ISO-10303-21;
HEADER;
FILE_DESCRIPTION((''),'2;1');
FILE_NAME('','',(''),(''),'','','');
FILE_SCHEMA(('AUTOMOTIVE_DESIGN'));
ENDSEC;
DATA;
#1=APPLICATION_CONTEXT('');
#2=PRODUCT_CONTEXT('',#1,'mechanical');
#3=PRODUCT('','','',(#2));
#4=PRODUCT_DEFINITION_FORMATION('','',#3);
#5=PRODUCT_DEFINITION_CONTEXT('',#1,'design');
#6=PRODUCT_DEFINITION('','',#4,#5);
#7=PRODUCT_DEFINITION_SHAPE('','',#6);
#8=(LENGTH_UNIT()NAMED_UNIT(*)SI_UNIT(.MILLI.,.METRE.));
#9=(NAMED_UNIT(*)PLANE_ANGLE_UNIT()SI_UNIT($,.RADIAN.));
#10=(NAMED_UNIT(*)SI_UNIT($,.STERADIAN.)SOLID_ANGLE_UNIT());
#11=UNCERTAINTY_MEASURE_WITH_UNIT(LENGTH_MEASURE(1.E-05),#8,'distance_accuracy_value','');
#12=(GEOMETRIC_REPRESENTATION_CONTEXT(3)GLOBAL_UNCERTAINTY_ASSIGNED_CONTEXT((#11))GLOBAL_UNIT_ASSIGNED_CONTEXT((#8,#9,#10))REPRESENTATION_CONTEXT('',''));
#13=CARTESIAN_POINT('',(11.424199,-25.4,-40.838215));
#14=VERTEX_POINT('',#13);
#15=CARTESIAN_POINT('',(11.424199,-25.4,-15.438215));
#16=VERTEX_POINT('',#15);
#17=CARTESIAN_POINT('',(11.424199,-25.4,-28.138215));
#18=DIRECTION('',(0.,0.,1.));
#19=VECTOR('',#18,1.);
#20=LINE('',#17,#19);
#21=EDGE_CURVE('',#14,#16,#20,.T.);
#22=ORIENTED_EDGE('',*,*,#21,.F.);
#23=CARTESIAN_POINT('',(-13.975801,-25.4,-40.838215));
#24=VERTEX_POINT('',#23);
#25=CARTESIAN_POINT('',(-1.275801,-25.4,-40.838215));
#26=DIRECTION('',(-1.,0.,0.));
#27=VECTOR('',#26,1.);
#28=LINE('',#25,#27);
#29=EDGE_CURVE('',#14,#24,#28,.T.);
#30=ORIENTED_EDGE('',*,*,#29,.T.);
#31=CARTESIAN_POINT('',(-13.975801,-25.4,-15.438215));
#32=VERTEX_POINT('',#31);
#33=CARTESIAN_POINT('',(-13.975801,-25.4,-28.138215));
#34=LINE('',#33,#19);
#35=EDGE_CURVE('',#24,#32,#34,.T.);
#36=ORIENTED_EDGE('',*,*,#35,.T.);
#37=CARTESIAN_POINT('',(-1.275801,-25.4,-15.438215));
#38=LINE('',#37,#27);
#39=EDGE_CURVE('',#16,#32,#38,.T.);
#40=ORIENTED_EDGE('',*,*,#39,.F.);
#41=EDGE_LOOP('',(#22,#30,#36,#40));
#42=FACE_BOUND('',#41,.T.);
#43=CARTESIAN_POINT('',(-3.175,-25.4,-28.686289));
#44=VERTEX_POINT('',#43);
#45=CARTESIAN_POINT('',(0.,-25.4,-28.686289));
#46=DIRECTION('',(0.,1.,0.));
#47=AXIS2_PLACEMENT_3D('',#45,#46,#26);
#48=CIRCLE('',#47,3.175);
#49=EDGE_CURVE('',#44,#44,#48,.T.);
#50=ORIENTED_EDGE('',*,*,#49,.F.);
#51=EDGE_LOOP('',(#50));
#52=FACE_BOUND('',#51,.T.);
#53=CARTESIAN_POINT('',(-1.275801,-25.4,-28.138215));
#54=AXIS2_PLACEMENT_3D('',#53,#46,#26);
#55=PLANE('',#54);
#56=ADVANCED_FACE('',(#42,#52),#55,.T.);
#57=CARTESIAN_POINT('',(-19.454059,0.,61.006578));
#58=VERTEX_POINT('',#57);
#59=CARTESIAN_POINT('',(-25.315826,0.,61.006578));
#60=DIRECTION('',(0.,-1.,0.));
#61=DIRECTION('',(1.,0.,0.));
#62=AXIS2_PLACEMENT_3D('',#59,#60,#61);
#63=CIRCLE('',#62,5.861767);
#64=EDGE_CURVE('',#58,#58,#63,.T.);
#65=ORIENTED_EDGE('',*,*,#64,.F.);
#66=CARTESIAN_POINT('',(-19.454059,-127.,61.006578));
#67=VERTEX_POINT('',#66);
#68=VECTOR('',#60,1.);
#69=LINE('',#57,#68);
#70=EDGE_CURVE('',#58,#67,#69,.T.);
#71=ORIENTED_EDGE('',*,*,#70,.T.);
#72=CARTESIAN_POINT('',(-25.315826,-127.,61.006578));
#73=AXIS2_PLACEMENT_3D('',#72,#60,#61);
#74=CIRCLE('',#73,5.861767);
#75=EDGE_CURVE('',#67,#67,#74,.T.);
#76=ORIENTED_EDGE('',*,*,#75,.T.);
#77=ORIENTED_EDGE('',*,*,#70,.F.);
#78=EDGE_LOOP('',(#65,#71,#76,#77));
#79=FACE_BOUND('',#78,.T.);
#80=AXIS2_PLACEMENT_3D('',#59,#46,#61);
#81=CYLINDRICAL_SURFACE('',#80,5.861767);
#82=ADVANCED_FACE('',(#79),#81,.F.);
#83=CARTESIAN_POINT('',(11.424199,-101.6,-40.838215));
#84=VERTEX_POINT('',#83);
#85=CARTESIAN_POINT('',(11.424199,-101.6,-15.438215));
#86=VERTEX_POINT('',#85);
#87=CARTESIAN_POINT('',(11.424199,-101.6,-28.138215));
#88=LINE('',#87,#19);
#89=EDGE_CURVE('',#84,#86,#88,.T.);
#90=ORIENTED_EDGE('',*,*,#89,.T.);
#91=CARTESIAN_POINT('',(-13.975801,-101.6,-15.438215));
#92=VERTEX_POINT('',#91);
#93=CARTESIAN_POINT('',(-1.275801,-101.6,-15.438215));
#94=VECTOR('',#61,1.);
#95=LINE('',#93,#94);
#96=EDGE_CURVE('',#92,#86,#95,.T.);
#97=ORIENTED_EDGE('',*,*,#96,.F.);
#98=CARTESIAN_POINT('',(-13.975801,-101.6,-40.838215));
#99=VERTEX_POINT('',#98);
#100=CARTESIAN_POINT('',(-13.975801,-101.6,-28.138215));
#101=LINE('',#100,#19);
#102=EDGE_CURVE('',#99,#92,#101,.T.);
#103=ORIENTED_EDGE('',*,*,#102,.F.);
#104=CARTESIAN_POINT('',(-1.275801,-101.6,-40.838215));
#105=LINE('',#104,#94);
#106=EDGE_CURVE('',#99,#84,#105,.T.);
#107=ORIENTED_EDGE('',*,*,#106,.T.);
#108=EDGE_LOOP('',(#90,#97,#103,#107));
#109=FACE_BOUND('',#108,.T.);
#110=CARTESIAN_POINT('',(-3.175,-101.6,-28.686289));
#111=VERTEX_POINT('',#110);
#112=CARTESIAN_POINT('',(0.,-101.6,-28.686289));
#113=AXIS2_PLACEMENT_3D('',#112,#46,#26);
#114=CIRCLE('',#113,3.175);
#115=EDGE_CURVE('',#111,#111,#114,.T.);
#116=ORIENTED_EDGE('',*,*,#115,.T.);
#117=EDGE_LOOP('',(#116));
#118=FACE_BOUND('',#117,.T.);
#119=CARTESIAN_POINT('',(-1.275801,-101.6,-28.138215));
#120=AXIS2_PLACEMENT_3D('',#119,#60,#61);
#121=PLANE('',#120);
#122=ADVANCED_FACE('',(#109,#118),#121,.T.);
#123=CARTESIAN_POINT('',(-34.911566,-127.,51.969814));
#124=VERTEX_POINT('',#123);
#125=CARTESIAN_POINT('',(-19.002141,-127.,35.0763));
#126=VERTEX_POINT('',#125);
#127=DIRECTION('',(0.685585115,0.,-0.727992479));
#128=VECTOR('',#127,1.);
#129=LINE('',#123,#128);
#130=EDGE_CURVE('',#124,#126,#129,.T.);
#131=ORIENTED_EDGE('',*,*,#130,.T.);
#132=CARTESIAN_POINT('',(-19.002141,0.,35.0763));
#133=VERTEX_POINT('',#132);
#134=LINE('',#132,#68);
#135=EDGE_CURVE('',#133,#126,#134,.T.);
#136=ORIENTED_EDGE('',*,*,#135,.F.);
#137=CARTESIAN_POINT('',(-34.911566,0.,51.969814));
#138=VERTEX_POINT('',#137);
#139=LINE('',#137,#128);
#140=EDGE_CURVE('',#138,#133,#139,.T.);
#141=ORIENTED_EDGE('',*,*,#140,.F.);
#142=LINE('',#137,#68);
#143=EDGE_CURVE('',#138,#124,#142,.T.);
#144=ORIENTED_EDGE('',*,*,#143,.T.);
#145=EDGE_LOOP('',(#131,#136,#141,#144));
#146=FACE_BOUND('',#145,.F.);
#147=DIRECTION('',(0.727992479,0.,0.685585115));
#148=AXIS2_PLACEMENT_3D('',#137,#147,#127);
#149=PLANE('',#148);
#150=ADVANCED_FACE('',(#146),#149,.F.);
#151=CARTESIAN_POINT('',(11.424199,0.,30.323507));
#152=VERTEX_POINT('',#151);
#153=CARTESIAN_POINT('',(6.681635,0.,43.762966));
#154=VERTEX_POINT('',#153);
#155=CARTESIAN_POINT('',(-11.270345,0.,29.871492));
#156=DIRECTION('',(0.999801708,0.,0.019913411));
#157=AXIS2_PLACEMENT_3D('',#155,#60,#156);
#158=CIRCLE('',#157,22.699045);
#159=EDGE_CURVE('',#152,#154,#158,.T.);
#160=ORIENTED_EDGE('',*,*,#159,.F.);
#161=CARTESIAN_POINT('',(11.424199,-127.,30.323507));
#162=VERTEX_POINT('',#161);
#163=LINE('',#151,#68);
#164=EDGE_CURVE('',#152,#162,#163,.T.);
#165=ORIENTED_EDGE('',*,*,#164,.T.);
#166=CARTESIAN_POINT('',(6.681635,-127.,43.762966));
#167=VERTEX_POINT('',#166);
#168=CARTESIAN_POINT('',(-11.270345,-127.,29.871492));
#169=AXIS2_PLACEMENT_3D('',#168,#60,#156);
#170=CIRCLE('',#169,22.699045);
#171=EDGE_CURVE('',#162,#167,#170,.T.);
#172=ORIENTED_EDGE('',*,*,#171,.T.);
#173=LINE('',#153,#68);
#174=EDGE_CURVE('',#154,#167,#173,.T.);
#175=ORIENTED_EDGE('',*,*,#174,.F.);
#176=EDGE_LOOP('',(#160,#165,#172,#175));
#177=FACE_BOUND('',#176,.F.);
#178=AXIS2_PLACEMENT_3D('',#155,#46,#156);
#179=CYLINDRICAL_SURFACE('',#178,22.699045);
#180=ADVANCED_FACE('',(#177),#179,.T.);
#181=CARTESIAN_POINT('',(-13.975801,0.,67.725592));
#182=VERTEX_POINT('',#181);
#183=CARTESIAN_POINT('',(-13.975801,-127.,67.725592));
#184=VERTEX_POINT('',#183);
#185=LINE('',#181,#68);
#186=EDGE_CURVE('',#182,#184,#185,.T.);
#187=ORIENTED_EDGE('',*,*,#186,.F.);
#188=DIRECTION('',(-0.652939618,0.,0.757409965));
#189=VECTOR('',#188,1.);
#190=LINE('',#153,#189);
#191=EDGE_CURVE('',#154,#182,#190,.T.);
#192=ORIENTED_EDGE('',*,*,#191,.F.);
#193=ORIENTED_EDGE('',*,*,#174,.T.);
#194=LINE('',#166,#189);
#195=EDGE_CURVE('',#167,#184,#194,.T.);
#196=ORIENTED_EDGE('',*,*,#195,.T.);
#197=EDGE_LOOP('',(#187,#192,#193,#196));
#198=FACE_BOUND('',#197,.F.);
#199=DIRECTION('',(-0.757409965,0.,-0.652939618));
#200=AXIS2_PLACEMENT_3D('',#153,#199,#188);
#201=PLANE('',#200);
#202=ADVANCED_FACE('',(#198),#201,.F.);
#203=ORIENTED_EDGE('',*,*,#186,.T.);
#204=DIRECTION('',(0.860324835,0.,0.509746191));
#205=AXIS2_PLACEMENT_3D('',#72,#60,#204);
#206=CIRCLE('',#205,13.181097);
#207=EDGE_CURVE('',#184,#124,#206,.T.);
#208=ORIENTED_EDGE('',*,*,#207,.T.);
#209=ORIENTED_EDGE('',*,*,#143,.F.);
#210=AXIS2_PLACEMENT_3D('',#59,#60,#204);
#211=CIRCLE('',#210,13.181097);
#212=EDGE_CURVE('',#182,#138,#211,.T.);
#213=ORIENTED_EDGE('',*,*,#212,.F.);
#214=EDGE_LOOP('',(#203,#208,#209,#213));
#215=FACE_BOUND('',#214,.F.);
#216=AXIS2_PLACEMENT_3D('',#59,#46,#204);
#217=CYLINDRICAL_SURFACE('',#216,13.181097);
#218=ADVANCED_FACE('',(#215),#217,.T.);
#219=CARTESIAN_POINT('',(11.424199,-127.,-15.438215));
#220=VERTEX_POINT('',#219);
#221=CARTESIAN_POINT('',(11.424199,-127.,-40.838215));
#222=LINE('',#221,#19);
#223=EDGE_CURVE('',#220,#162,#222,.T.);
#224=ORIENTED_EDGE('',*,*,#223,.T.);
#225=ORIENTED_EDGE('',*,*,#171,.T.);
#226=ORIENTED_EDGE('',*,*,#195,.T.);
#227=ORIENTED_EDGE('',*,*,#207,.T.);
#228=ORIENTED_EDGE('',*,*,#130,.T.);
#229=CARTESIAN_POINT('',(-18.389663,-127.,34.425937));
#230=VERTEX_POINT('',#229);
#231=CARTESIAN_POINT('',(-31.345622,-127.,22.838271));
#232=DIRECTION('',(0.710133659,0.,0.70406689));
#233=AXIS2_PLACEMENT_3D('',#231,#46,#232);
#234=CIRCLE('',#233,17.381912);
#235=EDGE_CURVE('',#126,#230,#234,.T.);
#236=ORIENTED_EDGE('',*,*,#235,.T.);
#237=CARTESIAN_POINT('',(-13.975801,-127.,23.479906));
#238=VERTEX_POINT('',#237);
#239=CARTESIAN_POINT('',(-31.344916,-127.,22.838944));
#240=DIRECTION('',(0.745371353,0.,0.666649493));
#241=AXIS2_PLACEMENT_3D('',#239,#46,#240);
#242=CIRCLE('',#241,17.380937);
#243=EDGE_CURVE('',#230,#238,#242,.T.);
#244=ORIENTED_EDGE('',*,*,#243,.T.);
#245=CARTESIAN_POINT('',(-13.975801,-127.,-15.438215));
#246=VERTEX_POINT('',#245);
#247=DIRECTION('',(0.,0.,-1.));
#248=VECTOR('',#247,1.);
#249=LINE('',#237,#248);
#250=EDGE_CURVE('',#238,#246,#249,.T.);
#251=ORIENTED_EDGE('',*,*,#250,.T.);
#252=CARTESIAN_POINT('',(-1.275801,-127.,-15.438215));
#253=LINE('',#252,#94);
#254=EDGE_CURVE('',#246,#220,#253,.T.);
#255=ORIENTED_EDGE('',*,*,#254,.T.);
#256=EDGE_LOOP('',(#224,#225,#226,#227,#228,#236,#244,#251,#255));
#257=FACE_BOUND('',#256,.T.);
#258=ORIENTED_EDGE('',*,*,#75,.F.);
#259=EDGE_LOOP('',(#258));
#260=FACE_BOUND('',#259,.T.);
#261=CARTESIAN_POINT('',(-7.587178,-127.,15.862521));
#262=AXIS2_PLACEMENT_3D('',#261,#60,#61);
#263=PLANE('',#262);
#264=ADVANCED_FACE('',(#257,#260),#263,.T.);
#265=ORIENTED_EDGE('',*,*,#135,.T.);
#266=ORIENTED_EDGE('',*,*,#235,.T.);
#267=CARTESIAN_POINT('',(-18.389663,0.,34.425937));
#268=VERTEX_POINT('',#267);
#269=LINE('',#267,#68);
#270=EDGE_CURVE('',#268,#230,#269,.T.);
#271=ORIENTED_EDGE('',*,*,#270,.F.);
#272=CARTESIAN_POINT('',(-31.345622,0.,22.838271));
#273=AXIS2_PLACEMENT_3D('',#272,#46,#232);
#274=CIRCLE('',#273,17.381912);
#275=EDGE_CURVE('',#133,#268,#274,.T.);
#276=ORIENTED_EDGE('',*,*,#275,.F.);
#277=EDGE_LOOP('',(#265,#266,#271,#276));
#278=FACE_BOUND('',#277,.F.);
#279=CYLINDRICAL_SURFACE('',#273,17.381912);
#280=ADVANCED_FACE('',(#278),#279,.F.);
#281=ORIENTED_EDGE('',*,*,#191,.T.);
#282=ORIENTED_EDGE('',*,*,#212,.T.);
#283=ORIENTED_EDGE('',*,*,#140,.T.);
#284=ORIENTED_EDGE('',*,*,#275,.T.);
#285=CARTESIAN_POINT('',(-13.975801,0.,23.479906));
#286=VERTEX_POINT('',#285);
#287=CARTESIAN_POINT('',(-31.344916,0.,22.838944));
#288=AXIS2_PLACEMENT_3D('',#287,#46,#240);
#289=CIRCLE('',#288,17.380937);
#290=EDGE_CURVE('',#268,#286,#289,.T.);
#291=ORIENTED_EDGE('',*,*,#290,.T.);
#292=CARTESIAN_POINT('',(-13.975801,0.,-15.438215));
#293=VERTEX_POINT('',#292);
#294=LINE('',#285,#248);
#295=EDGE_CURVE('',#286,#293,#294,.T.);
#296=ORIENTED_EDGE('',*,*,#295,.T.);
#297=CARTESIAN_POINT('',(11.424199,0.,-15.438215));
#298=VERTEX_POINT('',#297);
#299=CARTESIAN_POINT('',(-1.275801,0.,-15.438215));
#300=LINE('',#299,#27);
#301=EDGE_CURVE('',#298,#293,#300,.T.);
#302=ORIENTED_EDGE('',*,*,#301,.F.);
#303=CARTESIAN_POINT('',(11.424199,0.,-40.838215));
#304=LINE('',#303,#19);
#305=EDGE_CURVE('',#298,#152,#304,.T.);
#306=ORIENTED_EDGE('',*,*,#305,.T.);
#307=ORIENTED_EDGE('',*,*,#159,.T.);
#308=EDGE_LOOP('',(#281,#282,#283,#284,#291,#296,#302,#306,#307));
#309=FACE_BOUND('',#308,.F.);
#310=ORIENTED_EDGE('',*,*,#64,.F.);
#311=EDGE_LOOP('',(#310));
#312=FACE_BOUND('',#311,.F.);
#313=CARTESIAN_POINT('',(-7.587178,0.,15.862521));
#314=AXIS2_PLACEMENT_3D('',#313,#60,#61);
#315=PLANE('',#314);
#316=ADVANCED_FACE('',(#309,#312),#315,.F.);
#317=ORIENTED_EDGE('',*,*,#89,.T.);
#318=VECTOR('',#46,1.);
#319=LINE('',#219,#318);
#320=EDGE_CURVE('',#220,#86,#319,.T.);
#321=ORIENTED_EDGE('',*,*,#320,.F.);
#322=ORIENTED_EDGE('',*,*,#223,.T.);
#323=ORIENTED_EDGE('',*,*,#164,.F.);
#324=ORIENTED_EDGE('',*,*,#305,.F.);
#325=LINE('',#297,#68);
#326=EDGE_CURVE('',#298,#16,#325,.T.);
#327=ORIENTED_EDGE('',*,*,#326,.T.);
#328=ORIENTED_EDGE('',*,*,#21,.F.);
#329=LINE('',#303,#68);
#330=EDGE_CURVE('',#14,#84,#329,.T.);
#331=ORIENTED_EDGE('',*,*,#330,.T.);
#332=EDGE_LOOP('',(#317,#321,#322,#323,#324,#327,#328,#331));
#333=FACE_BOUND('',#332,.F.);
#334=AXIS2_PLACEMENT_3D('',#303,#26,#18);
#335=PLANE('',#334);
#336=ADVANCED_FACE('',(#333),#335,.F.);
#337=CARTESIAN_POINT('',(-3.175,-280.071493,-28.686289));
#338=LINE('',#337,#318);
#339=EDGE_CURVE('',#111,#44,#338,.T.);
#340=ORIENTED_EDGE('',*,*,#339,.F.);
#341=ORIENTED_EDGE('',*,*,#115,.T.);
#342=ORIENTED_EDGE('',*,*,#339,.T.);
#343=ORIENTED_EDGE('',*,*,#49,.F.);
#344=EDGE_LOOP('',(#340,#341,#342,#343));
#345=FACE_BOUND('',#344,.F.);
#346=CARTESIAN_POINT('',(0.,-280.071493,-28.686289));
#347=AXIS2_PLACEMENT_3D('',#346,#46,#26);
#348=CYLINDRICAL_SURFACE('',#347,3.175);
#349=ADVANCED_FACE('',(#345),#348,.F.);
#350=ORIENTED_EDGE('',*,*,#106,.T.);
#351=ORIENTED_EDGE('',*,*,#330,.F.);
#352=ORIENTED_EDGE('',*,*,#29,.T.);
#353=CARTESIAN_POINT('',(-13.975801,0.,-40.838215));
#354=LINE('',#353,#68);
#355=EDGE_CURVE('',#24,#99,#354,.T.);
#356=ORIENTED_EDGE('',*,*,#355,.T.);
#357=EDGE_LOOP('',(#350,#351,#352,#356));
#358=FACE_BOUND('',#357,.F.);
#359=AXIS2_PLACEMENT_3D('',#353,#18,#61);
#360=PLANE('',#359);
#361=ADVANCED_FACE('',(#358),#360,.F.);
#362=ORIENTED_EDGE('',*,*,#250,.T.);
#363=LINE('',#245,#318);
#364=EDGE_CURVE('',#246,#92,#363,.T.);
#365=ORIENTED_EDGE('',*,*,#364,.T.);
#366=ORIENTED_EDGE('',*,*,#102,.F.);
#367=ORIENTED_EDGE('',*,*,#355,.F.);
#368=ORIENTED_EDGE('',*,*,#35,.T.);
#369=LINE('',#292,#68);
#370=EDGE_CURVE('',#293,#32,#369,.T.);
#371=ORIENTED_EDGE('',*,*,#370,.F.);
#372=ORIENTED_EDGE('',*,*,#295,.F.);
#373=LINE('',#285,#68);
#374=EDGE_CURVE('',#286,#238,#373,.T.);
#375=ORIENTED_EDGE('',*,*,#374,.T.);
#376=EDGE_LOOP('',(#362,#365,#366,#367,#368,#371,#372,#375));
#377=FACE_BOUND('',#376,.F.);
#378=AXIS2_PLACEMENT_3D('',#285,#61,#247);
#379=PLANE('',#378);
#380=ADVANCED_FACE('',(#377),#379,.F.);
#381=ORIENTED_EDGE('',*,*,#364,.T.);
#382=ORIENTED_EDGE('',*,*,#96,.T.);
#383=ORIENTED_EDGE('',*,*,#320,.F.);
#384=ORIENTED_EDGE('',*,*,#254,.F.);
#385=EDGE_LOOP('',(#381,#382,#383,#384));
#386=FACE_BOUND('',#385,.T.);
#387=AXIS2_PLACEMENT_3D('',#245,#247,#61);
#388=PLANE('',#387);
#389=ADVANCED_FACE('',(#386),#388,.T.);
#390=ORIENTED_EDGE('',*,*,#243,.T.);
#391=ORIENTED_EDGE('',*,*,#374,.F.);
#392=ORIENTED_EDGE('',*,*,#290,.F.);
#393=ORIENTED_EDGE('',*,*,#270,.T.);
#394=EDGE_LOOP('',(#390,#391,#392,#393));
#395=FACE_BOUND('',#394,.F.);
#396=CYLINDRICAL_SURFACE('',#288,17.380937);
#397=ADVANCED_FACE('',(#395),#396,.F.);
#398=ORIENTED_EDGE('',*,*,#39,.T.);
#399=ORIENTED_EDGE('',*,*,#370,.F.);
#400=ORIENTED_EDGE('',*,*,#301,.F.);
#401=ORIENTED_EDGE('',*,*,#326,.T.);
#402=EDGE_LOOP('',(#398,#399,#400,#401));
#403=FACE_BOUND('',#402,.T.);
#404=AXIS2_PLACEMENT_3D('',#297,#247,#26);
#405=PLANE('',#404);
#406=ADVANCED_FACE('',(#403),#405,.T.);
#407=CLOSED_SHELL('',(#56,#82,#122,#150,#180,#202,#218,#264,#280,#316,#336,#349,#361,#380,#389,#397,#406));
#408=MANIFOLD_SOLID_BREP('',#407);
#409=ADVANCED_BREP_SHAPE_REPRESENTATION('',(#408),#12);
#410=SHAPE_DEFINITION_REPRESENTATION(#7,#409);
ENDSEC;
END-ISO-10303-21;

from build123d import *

# Parameters (mm, degrees)
F0_R     = 5.861767
F1_DEPTH = 127
F2_W     = 25.4
F2_H     = 25.4
F3_DEPTH = 25.4
F4_W     = 25.4
F4_H     = 25.4
F5_DEPTH = 25.4
F7_D     = 6.35


with BuildPart() as f1:
    # F0 (on Front) → F1 (new body)
    with BuildSketch(Plane.XZ):
        with BuildLine():
            Line((-13.975801, 23.479906), (-13.975801, -40.838215))
            Line((-13.975801, -40.838215), (11.424199, -40.838215))
            Line((11.424199, -40.838215), (11.424199, 29.419485))
            Line((11.424199, 29.419485), (11.424199, 30.323507))
            ThreePointArc((11.424199, 30.323507), (10.135022, 37.425094), (6.681635, 43.762966))
            Line((6.681635, 43.762966), (-13.975801, 67.725592))
            ThreePointArc((-13.975801, 67.725592), (-33.241845, 71.538413), (-34.911566, 51.969814))
            Line((-34.911566, 51.969814), (-19.002141, 35.0763))
            ThreePointArc((-19.002141, 35.0763), (-18.691723, 34.755054), (-18.389663, 34.425937))
            ThreePointArc((-18.389663, 34.425937), (-15.225185, 29.339041), (-13.975801, 23.479906))
        make_face()
        with Locations((-25.315826, 61.006578)):
            Circle(F0_R, mode=Mode.SUBTRACT)
    extrude(amount=F1_DEPTH)

    # F2 (on face) → F3 (cut)
    with BuildSketch(Plane.XZ.offset(127)):
        with Locations((-1.275801, -28.138215)):
            Rectangle(F2_W, F2_H)
    extrude(amount=-F3_DEPTH, mode=Mode.SUBTRACT)

    # F4 (on face) → F5 (cut)
    with BuildSketch(Plane(origin=(0, 0, 0), x_dir=(-1, 0, 0), z_dir=(0, 1, 0))):
        with Locations((1.275801, -28.138215)):
            Rectangle(F4_W, F4_H)
    extrude(amount=-F5_DEPTH, mode=Mode.SUBTRACT)

    # F7 (through all)
    with Locations(Plane.XZ.offset(101.6)):
        with Locations((0, -28.686289)):
            Hole(F7_D / 2)


solid = f1.part
